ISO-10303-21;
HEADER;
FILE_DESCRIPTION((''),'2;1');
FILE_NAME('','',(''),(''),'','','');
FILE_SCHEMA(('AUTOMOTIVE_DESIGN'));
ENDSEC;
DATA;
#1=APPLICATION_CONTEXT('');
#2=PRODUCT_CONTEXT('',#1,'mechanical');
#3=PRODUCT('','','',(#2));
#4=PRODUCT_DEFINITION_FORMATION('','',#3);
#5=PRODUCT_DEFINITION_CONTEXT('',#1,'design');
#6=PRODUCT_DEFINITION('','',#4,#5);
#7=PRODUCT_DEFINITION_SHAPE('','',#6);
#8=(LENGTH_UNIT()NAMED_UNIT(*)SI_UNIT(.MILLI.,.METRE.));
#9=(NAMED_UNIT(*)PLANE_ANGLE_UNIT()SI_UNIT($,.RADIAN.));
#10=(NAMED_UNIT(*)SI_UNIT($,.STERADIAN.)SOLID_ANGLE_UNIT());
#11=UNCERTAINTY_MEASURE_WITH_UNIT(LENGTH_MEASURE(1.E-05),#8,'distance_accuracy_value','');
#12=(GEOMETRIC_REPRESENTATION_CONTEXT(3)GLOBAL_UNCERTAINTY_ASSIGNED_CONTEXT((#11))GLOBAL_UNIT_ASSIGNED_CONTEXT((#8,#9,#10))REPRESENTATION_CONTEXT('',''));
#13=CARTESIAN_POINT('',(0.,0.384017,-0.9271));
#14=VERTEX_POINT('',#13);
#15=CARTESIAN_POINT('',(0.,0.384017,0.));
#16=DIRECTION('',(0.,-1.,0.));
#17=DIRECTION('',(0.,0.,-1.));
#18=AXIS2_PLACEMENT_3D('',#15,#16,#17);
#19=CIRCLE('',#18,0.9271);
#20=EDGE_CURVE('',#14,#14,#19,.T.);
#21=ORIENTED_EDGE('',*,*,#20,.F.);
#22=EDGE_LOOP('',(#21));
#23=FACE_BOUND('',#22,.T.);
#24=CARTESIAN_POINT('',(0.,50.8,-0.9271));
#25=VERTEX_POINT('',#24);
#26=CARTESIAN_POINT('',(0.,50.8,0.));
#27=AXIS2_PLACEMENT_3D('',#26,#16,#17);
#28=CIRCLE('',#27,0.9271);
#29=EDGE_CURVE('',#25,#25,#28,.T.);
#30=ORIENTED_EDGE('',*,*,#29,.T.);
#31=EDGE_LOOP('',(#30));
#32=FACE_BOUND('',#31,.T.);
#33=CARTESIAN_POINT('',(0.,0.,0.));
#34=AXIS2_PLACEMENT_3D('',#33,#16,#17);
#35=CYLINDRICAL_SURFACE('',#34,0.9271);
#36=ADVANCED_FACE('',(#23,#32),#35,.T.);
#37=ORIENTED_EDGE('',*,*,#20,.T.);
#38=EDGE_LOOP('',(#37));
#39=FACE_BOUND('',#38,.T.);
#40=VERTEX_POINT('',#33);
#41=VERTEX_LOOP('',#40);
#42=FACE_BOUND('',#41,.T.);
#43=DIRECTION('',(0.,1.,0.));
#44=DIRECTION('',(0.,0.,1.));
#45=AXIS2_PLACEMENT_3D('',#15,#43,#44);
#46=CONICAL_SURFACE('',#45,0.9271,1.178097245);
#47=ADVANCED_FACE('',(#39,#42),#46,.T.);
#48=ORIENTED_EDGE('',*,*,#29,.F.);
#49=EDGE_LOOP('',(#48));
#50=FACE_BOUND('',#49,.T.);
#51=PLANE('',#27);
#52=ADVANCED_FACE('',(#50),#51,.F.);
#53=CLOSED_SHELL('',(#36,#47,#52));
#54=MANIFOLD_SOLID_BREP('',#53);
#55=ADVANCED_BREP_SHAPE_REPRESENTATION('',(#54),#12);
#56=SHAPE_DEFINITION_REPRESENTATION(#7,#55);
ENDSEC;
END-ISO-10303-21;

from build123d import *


with BuildPart() as part:
    # Sketch3 → Revolve2 (revolve)
    with BuildSketch(Plane.XY, mode=Mode.PRIVATE) as revolve2_sk:
        Polygon((0, 50.8), (-0.9271, 50.8), (-0.9271, 0.384017394), (0, 0), align=None)
    revolve(revolve2_sk.sketch.rotate(Axis((0, 0, 0), (0, 1, 0)), 270), axis=Axis((0, 0, 0), (0, 1, 0)))


solid = part.part
